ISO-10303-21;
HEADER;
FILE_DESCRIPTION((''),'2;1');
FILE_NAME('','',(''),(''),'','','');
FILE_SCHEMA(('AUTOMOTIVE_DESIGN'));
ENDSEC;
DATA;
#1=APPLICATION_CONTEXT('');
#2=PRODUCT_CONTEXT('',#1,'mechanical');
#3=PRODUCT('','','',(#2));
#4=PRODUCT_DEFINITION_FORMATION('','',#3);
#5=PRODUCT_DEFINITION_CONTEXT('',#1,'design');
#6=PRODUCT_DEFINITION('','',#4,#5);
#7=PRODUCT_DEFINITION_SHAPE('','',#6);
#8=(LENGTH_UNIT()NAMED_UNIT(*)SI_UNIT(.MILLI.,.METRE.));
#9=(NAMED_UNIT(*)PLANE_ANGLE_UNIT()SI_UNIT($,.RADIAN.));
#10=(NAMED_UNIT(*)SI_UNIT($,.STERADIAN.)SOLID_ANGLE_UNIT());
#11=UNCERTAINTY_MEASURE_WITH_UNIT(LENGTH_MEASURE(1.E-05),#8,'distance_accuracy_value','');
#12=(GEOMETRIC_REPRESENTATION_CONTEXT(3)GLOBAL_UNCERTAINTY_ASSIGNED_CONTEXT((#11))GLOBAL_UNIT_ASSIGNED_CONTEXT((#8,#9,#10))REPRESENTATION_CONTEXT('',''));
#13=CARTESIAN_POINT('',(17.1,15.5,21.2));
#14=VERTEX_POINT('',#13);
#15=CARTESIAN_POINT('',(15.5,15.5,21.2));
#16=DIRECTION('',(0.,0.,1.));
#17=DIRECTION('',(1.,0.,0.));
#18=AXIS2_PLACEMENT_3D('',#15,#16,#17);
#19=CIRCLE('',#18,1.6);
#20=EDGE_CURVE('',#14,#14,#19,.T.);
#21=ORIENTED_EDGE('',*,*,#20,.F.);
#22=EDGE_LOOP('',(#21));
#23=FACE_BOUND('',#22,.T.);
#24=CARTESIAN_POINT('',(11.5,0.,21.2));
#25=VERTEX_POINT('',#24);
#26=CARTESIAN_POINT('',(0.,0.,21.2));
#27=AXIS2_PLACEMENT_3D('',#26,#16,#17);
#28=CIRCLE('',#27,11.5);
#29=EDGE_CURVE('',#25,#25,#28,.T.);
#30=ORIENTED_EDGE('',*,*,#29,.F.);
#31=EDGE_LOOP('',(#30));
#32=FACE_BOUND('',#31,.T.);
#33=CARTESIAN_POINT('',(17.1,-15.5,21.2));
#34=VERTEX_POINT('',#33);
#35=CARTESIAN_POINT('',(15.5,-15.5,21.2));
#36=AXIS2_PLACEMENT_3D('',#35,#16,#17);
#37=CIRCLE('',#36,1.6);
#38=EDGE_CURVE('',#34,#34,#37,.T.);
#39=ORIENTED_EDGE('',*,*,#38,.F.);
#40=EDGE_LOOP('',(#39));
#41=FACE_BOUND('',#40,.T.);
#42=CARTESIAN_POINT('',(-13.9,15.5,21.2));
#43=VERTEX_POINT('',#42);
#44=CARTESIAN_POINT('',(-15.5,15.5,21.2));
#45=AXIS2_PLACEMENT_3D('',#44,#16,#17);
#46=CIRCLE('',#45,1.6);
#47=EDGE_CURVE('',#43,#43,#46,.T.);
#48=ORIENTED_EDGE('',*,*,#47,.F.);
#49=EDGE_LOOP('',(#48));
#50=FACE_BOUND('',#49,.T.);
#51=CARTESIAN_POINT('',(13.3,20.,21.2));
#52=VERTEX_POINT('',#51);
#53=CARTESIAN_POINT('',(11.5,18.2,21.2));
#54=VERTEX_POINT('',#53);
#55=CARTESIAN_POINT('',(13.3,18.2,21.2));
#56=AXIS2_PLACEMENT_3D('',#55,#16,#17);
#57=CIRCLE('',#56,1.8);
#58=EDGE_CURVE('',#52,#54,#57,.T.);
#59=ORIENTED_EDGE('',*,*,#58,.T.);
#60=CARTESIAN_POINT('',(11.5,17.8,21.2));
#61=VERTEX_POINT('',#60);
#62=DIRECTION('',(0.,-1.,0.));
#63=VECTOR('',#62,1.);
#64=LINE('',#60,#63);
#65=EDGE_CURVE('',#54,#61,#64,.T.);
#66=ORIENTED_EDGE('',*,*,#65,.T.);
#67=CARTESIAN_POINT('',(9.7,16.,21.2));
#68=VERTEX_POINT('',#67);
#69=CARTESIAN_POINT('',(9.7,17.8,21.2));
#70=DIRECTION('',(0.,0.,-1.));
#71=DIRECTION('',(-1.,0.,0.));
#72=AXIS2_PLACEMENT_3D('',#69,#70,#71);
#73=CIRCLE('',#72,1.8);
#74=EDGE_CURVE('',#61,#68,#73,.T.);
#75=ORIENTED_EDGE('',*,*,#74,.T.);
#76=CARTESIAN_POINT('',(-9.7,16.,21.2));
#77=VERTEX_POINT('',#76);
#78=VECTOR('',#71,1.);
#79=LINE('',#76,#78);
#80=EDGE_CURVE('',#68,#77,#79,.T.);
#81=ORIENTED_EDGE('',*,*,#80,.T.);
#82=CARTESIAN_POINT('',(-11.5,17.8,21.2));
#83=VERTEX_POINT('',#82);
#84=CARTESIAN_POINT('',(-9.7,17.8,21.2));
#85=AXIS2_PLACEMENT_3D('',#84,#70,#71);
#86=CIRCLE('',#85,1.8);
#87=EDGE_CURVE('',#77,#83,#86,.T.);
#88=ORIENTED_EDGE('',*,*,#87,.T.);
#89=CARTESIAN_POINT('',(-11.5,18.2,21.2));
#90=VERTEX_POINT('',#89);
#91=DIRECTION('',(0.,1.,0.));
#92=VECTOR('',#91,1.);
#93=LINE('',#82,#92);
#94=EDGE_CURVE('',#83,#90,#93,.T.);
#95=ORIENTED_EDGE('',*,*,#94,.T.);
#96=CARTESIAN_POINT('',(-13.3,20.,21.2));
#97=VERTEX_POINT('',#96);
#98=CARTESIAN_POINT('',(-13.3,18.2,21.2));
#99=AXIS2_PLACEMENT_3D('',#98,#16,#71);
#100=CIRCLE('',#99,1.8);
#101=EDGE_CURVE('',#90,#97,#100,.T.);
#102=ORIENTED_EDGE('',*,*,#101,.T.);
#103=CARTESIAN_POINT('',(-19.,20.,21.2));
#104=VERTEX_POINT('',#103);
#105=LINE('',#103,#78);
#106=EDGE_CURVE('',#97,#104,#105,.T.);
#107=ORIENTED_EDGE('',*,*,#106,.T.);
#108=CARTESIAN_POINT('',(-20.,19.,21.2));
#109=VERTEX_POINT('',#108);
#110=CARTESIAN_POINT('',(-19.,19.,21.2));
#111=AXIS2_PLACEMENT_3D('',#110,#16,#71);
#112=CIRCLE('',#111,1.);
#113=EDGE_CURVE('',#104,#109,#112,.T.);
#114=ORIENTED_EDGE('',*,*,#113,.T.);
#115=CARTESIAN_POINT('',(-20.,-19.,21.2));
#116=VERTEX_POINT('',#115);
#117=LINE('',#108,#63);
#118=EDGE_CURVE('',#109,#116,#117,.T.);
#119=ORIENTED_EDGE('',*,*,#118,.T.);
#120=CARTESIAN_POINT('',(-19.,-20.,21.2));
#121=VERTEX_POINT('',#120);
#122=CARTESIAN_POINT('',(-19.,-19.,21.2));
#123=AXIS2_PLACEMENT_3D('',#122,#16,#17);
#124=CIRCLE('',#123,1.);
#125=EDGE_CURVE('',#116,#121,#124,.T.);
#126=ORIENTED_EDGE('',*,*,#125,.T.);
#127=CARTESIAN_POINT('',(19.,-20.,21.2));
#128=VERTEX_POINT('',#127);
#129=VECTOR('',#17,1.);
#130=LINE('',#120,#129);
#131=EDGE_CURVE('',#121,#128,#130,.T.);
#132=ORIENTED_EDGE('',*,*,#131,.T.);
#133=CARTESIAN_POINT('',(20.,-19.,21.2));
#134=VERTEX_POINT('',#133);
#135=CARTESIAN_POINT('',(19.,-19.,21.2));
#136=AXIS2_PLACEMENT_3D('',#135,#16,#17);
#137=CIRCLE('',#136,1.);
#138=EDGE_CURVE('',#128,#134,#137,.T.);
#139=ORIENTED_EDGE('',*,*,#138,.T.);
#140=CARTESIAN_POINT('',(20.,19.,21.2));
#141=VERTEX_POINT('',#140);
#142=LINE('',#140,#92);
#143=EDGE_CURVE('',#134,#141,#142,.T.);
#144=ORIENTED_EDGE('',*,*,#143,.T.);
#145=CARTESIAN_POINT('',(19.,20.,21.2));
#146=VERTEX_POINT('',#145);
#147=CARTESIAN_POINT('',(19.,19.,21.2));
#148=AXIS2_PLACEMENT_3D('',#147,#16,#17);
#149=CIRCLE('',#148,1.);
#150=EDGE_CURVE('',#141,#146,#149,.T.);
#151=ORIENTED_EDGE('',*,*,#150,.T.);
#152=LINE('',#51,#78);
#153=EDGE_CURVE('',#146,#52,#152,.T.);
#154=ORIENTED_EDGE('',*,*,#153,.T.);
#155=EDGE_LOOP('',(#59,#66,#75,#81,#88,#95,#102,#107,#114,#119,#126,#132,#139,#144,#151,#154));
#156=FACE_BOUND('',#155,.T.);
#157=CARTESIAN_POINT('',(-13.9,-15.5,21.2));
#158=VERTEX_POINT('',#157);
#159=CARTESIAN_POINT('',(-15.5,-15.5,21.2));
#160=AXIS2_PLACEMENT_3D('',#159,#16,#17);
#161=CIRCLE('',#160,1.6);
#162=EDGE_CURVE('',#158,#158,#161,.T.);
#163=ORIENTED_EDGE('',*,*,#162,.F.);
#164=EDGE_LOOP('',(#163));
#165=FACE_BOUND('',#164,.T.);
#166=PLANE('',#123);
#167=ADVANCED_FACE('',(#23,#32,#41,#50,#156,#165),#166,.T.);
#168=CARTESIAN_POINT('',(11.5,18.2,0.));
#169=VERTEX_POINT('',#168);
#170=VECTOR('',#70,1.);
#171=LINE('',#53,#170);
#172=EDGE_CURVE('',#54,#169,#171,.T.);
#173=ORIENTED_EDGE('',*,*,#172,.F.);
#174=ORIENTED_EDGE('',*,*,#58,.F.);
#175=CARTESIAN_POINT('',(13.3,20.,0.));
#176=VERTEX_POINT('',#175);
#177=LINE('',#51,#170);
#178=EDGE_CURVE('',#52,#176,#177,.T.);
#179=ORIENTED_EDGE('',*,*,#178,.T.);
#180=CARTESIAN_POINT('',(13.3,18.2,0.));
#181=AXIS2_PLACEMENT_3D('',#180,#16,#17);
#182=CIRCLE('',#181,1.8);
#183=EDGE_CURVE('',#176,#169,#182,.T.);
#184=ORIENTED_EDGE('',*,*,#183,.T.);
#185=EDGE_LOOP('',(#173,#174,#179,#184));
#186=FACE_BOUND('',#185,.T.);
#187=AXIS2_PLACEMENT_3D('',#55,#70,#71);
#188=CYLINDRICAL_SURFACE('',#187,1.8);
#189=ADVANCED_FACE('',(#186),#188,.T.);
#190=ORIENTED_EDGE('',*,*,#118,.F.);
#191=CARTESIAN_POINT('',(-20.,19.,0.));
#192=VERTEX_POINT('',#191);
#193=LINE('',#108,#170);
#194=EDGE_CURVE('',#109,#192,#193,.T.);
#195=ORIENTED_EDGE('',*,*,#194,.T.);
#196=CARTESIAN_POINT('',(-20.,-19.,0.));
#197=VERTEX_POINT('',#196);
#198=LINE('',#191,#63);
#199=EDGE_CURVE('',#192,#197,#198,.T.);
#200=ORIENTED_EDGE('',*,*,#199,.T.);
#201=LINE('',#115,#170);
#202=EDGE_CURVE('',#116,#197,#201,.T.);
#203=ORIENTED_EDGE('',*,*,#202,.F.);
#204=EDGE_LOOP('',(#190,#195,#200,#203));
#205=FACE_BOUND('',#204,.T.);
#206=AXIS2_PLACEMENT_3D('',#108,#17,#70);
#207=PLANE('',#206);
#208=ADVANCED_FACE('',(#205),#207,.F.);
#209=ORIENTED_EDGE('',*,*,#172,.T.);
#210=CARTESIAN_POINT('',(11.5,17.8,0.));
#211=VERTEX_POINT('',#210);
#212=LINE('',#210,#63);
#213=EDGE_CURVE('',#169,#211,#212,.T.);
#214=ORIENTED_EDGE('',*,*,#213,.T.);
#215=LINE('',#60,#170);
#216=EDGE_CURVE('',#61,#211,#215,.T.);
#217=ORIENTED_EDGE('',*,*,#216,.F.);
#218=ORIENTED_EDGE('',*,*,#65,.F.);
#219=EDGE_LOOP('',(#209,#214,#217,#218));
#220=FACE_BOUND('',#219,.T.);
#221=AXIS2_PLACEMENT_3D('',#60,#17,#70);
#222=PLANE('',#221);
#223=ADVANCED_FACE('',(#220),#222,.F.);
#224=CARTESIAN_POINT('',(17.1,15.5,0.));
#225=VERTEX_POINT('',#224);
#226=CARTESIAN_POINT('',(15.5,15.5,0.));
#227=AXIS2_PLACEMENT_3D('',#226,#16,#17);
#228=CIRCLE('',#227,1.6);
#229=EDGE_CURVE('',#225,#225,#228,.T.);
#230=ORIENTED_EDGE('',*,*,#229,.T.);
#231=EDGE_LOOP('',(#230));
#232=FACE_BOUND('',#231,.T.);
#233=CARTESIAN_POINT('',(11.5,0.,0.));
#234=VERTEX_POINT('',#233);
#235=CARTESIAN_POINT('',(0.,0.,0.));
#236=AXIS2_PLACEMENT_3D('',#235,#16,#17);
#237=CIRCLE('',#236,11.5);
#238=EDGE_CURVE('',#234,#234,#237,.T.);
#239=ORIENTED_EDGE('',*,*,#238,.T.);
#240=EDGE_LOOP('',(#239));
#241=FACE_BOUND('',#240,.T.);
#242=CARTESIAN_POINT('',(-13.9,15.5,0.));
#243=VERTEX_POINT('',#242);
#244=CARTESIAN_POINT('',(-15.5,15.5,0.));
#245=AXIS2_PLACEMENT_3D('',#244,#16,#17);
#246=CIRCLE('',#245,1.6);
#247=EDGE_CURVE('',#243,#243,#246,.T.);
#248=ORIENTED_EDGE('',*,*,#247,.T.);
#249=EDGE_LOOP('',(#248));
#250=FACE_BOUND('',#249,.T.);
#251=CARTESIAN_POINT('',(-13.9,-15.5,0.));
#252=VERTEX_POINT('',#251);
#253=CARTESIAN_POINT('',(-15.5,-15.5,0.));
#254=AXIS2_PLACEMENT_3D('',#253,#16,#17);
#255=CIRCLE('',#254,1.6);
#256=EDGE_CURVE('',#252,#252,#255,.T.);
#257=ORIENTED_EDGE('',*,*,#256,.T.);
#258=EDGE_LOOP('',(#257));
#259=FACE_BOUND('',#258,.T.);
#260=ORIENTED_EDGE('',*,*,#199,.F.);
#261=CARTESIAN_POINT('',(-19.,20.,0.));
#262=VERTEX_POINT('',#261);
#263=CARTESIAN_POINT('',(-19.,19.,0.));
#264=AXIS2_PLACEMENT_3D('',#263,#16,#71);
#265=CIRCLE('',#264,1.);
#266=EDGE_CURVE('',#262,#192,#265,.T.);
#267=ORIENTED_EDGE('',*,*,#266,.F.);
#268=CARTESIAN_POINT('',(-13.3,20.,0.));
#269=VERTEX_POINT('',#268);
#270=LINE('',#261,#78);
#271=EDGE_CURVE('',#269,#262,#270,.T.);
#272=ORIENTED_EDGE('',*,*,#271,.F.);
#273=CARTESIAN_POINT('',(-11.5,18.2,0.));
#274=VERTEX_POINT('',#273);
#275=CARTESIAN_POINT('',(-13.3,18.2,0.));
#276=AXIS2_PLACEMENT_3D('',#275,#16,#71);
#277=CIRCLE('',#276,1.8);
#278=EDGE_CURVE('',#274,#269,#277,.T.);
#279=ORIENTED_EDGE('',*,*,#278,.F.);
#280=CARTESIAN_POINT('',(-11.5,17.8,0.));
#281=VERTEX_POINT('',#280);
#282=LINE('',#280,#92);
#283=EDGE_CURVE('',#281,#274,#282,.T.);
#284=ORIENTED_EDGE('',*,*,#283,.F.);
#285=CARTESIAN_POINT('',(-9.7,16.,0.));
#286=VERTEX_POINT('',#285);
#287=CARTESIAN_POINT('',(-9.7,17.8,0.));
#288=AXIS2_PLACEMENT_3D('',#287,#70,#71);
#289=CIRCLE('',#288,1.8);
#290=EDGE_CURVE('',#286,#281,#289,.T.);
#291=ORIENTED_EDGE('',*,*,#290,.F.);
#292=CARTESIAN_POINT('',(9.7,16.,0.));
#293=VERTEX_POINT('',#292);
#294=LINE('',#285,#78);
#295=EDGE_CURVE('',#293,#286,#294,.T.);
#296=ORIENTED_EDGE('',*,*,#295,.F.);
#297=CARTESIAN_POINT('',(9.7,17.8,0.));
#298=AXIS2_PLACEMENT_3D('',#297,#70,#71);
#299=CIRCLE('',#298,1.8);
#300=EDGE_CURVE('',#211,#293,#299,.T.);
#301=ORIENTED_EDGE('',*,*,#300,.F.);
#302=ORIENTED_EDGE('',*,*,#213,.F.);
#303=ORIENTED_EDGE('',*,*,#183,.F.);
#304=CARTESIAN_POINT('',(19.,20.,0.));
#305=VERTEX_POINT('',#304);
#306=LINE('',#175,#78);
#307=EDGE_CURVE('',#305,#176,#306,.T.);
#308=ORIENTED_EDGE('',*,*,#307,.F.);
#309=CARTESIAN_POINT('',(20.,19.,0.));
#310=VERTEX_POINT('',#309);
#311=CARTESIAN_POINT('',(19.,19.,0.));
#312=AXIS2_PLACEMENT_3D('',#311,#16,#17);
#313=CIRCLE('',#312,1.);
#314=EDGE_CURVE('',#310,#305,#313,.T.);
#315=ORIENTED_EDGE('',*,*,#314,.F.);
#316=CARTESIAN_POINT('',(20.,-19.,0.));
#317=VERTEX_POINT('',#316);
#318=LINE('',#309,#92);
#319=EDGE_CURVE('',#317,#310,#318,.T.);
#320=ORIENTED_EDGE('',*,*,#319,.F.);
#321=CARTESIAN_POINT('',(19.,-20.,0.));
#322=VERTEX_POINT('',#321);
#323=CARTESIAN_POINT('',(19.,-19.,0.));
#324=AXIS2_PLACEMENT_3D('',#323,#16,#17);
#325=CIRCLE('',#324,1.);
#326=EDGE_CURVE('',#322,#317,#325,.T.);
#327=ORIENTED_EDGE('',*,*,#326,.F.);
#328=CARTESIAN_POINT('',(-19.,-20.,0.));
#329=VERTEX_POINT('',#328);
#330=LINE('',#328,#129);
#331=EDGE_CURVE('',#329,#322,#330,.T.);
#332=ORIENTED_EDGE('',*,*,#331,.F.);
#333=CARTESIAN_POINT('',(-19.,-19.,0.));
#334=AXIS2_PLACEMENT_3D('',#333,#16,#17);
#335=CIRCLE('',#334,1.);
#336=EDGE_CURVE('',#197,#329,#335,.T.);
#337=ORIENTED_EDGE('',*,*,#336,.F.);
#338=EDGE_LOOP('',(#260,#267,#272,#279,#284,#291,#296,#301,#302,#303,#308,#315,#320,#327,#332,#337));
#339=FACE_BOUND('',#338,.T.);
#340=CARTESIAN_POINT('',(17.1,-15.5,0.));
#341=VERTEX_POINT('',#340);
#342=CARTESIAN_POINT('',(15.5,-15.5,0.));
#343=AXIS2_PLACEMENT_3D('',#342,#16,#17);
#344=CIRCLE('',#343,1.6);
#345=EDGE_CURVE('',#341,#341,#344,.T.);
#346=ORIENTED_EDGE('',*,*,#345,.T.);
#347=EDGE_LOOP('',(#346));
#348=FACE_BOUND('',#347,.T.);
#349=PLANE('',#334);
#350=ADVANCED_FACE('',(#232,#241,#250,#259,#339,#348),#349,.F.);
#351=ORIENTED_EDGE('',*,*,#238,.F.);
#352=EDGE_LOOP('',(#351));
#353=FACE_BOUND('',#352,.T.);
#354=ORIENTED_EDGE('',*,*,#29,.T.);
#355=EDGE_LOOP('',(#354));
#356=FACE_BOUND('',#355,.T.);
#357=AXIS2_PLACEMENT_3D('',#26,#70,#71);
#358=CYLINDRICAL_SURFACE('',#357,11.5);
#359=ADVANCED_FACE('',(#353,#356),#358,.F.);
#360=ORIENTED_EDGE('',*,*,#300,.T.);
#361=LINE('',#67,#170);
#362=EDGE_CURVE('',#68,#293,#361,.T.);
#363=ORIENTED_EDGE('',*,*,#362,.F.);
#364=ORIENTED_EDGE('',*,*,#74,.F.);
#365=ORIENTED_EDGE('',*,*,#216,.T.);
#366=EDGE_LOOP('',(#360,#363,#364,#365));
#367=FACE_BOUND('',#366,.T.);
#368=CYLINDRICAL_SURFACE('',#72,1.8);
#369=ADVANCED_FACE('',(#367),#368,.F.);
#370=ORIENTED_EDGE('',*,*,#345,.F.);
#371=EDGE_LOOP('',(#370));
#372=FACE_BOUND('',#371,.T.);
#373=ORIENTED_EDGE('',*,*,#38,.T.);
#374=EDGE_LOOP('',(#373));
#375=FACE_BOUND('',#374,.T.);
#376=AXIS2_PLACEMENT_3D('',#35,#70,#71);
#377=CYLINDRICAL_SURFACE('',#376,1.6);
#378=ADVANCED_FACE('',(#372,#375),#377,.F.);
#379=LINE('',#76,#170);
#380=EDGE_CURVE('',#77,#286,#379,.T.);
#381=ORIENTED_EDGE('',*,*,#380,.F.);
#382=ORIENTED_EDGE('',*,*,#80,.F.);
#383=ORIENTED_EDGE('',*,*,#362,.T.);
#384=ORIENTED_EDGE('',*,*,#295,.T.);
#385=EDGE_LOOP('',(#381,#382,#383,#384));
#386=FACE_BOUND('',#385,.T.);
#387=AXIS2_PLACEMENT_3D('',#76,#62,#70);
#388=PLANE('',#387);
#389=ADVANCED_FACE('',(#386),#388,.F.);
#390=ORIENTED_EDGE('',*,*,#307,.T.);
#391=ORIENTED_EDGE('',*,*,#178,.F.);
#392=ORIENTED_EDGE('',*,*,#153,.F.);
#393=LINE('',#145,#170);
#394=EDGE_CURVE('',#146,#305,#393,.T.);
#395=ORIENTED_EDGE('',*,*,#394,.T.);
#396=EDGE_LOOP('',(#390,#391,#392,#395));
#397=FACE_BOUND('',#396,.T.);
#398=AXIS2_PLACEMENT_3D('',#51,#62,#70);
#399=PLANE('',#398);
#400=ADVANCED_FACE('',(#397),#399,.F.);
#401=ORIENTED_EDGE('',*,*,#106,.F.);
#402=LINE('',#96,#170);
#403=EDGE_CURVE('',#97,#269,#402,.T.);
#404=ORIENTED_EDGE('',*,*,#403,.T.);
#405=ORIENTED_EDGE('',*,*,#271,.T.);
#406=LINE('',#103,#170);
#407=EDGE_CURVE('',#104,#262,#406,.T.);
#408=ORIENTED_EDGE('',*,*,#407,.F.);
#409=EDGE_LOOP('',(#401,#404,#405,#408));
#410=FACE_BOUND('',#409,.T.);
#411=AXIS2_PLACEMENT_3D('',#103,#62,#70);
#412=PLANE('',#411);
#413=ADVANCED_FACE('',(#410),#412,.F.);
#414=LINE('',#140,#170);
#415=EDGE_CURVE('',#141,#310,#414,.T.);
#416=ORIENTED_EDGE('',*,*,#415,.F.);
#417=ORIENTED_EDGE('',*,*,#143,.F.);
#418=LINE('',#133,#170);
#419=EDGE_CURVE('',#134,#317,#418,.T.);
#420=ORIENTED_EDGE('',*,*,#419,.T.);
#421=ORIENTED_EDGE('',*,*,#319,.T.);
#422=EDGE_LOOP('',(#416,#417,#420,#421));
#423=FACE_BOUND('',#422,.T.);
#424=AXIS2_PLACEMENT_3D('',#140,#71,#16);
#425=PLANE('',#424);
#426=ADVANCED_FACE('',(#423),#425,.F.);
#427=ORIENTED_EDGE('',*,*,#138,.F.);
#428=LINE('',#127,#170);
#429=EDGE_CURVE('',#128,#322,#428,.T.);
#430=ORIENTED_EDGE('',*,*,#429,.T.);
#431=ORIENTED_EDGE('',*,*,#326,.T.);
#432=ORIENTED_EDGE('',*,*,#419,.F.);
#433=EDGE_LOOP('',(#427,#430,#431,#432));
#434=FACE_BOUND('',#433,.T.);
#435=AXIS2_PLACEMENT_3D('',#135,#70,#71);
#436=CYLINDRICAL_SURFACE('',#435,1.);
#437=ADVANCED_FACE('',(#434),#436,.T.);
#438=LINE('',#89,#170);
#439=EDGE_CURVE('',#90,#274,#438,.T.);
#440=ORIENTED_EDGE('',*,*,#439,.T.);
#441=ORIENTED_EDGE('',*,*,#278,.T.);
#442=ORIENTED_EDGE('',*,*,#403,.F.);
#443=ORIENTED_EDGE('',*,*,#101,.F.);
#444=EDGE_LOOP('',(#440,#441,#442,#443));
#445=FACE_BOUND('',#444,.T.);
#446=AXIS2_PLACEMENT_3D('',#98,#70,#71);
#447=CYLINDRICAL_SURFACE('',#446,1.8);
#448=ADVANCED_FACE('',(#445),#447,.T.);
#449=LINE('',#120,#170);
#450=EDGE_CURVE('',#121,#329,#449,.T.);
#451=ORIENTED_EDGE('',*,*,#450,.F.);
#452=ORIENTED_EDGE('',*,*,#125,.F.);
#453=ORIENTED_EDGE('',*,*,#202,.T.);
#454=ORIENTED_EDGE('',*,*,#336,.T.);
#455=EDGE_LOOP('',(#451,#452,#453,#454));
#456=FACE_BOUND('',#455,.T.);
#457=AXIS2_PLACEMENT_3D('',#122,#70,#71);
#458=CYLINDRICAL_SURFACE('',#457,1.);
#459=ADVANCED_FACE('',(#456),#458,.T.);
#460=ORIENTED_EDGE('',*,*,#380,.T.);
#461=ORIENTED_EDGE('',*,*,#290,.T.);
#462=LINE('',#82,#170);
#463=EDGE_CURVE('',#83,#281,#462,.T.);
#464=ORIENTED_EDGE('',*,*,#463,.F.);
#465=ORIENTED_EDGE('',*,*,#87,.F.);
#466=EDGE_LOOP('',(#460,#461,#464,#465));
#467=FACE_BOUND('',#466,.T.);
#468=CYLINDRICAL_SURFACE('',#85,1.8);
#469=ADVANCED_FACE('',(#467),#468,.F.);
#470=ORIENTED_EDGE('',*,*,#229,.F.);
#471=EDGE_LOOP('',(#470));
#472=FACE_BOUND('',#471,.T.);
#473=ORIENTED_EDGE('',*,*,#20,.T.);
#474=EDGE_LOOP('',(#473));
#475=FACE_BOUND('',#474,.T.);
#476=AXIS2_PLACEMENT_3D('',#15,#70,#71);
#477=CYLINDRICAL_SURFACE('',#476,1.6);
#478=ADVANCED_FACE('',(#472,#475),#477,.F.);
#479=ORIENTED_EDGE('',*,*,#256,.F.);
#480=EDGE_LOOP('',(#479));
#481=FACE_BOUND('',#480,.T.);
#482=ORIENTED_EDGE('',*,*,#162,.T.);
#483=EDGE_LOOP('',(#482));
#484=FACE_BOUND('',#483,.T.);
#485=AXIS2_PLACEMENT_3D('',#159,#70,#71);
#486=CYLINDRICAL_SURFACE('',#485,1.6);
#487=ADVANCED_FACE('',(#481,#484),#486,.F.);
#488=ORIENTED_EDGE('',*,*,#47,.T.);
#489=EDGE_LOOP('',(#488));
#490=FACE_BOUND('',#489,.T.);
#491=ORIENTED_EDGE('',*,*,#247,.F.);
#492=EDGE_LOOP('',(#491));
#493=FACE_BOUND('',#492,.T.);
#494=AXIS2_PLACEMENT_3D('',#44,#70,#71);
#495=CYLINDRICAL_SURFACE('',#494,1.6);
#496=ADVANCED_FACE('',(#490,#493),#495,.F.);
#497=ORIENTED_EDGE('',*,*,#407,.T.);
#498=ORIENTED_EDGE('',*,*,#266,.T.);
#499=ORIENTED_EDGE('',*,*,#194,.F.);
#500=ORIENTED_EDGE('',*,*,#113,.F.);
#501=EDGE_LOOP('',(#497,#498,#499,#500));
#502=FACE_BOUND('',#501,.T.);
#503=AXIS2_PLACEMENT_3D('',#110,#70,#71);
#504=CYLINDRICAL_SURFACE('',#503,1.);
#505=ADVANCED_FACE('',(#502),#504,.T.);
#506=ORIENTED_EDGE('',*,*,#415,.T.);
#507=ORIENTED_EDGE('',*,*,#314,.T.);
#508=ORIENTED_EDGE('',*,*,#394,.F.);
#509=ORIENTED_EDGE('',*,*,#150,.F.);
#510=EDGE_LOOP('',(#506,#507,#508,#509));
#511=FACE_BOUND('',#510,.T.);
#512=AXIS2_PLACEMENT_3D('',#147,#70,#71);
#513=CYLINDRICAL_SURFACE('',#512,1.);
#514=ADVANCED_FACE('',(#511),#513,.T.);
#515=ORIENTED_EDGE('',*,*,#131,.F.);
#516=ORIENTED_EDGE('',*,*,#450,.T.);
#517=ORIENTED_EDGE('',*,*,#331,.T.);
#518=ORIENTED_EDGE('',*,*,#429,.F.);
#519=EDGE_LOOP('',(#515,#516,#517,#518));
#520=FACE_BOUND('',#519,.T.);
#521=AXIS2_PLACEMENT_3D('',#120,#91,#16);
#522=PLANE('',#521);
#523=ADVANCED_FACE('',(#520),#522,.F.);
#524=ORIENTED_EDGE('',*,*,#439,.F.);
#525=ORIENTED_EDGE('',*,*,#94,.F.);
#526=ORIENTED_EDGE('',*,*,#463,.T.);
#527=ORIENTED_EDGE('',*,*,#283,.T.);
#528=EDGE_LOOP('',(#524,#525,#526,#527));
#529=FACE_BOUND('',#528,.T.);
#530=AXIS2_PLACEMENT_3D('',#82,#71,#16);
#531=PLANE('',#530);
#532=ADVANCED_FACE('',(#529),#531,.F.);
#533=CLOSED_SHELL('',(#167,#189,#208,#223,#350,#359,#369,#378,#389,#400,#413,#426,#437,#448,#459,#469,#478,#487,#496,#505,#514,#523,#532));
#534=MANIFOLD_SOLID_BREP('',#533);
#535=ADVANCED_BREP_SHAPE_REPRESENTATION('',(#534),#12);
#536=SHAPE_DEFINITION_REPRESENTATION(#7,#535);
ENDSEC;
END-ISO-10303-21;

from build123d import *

# Parameters (mm, degrees)
SKETCH1_R           = 11.5
SKETCH1_R_2         = 1.6
BOSS_EXTRUDE1_DEPTH = 21.2


with BuildPart() as part:
    # Sketch1 → Boss-Extrude1 (new body)
    with BuildSketch(Plane.XY):
        with BuildLine():
            Line((-20, 19), (-20, -19))
            ThreePointArc((-20, -19), (-19.707106781, -19.707106781), (-19, -20))
            Line((-19, -20), (19, -20))
            ThreePointArc((19, -20), (19.707106781, -19.707106781), (20, -19))
            Line((20, -19), (20, 19))
            ThreePointArc((20, 19), (19.707106781, 19.707106781), (19, 20))
            Line((19, 20), (13.3, 20))
            ThreePointArc((13.3, 20), (12.027207794, 19.472792206), (11.5, 18.2))
            Line((11.5, 18.2), (11.5, 17.8))
            ThreePointArc((11.5, 17.8), (10.972792206, 16.527207794), (9.7, 16))
            Line((9.7, 16), (-9.7, 16))
            ThreePointArc((-9.7, 16), (-10.972792206, 16.527207794), (-11.5, 17.8))
            Line((-11.5, 17.8), (-11.5, 18.2))
            ThreePointArc((-11.5, 18.2), (-12.027207794, 19.472792206), (-13.3, 20))
            Line((-13.3, 20), (-19, 20))
            ThreePointArc((-19, 20), (-19.707106781, 19.707106781), (-20, 19))
        make_face()
        Circle(SKETCH1_R, mode=Mode.SUBTRACT)
        with Locations((-15.5, 15.5)):
            Circle(SKETCH1_R_2, mode=Mode.SUBTRACT)
        with Locations((15.5, 15.5)):
            Circle(SKETCH1_R_2, mode=Mode.SUBTRACT)
        with Locations((15.5, -15.5)):
            Circle(SKETCH1_R_2, mode=Mode.SUBTRACT)
        with Locations((-15.5, -15.5)):
            Circle(SKETCH1_R_2, mode=Mode.SUBTRACT)
    extrude(amount=BOSS_EXTRUDE1_DEPTH)


solid = part.part
